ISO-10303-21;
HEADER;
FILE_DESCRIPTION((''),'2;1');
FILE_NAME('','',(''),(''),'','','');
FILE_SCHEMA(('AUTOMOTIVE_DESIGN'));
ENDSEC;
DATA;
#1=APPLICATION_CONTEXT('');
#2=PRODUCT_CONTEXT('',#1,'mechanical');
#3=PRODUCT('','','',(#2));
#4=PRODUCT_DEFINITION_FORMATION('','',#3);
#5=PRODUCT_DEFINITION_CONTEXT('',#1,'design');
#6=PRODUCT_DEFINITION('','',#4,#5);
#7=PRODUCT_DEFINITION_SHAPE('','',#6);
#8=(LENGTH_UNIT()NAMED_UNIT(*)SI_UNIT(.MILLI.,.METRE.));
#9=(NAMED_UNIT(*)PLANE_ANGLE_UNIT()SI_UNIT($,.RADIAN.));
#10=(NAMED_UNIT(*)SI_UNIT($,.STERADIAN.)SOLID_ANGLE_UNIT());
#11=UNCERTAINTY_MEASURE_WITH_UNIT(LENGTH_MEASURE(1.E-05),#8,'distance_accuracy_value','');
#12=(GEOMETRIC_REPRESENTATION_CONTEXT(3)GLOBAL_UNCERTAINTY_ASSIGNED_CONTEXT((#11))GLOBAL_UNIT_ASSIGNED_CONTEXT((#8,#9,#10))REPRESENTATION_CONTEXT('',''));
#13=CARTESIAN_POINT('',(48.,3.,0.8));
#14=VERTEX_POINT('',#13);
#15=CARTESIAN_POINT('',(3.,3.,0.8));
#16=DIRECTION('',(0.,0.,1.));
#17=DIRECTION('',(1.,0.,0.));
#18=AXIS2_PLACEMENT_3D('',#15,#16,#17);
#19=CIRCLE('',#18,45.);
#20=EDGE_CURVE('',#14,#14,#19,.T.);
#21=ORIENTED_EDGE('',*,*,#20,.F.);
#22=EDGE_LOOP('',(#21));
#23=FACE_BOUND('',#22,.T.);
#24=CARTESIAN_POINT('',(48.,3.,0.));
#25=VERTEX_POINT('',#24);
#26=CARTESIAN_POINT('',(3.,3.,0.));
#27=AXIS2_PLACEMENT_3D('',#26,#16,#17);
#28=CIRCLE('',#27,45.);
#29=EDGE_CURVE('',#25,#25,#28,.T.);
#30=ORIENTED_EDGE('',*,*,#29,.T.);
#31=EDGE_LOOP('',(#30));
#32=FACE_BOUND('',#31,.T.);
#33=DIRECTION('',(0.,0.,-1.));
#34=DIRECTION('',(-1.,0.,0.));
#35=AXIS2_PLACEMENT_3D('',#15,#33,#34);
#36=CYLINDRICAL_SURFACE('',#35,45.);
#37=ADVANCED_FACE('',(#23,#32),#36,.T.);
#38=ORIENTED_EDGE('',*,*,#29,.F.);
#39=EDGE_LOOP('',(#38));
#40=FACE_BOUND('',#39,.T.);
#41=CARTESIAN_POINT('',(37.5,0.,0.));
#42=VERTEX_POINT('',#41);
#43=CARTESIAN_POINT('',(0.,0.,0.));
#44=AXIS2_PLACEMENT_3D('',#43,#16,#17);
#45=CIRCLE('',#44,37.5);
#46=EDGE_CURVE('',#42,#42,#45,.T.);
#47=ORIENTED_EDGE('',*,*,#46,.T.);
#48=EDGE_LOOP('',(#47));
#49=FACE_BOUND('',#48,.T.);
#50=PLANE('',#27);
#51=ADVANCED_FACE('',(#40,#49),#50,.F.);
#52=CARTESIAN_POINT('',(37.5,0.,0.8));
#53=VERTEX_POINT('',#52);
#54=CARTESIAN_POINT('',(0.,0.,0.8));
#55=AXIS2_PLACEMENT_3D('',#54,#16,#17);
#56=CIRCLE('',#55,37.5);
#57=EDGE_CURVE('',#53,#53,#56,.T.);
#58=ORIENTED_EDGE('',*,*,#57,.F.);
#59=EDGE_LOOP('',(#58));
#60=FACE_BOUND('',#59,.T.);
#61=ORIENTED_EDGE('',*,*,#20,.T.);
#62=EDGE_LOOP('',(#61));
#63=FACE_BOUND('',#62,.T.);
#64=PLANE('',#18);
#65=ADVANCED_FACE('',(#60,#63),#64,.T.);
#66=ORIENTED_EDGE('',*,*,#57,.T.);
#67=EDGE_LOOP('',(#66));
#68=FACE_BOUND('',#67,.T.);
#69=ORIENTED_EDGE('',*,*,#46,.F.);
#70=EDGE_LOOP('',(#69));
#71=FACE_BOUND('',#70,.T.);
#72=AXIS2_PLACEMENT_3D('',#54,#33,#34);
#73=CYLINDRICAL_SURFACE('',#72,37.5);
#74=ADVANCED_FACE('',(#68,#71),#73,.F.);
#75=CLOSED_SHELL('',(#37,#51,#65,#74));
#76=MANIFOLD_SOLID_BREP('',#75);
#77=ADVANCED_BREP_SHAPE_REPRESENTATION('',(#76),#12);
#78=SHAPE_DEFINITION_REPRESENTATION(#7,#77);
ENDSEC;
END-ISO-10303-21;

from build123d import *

# Parameters (mm, degrees)
SKETCH2_R          = 45
BASE_EXTRUDE_DEPTH = 0.8
SKETCH3_R          = 37.5
CUT_EXTRUDE5_DEPTH = 1.8


with BuildPart() as part:
    # Sketch2 → Base-Extrude (new body)
    with BuildSketch(Plane.XY):
        with Locations((3, 3)):
            Circle(SKETCH2_R)
    extrude(amount=BASE_EXTRUDE_DEPTH)

    # Sketch3 → Cut-Extrude5 (cut, through all)
    with BuildSketch(Plane.XY):
        Circle(SKETCH3_R)
    extrude(amount=CUT_EXTRUDE5_DEPTH, mode=Mode.SUBTRACT)


solid = part.part
